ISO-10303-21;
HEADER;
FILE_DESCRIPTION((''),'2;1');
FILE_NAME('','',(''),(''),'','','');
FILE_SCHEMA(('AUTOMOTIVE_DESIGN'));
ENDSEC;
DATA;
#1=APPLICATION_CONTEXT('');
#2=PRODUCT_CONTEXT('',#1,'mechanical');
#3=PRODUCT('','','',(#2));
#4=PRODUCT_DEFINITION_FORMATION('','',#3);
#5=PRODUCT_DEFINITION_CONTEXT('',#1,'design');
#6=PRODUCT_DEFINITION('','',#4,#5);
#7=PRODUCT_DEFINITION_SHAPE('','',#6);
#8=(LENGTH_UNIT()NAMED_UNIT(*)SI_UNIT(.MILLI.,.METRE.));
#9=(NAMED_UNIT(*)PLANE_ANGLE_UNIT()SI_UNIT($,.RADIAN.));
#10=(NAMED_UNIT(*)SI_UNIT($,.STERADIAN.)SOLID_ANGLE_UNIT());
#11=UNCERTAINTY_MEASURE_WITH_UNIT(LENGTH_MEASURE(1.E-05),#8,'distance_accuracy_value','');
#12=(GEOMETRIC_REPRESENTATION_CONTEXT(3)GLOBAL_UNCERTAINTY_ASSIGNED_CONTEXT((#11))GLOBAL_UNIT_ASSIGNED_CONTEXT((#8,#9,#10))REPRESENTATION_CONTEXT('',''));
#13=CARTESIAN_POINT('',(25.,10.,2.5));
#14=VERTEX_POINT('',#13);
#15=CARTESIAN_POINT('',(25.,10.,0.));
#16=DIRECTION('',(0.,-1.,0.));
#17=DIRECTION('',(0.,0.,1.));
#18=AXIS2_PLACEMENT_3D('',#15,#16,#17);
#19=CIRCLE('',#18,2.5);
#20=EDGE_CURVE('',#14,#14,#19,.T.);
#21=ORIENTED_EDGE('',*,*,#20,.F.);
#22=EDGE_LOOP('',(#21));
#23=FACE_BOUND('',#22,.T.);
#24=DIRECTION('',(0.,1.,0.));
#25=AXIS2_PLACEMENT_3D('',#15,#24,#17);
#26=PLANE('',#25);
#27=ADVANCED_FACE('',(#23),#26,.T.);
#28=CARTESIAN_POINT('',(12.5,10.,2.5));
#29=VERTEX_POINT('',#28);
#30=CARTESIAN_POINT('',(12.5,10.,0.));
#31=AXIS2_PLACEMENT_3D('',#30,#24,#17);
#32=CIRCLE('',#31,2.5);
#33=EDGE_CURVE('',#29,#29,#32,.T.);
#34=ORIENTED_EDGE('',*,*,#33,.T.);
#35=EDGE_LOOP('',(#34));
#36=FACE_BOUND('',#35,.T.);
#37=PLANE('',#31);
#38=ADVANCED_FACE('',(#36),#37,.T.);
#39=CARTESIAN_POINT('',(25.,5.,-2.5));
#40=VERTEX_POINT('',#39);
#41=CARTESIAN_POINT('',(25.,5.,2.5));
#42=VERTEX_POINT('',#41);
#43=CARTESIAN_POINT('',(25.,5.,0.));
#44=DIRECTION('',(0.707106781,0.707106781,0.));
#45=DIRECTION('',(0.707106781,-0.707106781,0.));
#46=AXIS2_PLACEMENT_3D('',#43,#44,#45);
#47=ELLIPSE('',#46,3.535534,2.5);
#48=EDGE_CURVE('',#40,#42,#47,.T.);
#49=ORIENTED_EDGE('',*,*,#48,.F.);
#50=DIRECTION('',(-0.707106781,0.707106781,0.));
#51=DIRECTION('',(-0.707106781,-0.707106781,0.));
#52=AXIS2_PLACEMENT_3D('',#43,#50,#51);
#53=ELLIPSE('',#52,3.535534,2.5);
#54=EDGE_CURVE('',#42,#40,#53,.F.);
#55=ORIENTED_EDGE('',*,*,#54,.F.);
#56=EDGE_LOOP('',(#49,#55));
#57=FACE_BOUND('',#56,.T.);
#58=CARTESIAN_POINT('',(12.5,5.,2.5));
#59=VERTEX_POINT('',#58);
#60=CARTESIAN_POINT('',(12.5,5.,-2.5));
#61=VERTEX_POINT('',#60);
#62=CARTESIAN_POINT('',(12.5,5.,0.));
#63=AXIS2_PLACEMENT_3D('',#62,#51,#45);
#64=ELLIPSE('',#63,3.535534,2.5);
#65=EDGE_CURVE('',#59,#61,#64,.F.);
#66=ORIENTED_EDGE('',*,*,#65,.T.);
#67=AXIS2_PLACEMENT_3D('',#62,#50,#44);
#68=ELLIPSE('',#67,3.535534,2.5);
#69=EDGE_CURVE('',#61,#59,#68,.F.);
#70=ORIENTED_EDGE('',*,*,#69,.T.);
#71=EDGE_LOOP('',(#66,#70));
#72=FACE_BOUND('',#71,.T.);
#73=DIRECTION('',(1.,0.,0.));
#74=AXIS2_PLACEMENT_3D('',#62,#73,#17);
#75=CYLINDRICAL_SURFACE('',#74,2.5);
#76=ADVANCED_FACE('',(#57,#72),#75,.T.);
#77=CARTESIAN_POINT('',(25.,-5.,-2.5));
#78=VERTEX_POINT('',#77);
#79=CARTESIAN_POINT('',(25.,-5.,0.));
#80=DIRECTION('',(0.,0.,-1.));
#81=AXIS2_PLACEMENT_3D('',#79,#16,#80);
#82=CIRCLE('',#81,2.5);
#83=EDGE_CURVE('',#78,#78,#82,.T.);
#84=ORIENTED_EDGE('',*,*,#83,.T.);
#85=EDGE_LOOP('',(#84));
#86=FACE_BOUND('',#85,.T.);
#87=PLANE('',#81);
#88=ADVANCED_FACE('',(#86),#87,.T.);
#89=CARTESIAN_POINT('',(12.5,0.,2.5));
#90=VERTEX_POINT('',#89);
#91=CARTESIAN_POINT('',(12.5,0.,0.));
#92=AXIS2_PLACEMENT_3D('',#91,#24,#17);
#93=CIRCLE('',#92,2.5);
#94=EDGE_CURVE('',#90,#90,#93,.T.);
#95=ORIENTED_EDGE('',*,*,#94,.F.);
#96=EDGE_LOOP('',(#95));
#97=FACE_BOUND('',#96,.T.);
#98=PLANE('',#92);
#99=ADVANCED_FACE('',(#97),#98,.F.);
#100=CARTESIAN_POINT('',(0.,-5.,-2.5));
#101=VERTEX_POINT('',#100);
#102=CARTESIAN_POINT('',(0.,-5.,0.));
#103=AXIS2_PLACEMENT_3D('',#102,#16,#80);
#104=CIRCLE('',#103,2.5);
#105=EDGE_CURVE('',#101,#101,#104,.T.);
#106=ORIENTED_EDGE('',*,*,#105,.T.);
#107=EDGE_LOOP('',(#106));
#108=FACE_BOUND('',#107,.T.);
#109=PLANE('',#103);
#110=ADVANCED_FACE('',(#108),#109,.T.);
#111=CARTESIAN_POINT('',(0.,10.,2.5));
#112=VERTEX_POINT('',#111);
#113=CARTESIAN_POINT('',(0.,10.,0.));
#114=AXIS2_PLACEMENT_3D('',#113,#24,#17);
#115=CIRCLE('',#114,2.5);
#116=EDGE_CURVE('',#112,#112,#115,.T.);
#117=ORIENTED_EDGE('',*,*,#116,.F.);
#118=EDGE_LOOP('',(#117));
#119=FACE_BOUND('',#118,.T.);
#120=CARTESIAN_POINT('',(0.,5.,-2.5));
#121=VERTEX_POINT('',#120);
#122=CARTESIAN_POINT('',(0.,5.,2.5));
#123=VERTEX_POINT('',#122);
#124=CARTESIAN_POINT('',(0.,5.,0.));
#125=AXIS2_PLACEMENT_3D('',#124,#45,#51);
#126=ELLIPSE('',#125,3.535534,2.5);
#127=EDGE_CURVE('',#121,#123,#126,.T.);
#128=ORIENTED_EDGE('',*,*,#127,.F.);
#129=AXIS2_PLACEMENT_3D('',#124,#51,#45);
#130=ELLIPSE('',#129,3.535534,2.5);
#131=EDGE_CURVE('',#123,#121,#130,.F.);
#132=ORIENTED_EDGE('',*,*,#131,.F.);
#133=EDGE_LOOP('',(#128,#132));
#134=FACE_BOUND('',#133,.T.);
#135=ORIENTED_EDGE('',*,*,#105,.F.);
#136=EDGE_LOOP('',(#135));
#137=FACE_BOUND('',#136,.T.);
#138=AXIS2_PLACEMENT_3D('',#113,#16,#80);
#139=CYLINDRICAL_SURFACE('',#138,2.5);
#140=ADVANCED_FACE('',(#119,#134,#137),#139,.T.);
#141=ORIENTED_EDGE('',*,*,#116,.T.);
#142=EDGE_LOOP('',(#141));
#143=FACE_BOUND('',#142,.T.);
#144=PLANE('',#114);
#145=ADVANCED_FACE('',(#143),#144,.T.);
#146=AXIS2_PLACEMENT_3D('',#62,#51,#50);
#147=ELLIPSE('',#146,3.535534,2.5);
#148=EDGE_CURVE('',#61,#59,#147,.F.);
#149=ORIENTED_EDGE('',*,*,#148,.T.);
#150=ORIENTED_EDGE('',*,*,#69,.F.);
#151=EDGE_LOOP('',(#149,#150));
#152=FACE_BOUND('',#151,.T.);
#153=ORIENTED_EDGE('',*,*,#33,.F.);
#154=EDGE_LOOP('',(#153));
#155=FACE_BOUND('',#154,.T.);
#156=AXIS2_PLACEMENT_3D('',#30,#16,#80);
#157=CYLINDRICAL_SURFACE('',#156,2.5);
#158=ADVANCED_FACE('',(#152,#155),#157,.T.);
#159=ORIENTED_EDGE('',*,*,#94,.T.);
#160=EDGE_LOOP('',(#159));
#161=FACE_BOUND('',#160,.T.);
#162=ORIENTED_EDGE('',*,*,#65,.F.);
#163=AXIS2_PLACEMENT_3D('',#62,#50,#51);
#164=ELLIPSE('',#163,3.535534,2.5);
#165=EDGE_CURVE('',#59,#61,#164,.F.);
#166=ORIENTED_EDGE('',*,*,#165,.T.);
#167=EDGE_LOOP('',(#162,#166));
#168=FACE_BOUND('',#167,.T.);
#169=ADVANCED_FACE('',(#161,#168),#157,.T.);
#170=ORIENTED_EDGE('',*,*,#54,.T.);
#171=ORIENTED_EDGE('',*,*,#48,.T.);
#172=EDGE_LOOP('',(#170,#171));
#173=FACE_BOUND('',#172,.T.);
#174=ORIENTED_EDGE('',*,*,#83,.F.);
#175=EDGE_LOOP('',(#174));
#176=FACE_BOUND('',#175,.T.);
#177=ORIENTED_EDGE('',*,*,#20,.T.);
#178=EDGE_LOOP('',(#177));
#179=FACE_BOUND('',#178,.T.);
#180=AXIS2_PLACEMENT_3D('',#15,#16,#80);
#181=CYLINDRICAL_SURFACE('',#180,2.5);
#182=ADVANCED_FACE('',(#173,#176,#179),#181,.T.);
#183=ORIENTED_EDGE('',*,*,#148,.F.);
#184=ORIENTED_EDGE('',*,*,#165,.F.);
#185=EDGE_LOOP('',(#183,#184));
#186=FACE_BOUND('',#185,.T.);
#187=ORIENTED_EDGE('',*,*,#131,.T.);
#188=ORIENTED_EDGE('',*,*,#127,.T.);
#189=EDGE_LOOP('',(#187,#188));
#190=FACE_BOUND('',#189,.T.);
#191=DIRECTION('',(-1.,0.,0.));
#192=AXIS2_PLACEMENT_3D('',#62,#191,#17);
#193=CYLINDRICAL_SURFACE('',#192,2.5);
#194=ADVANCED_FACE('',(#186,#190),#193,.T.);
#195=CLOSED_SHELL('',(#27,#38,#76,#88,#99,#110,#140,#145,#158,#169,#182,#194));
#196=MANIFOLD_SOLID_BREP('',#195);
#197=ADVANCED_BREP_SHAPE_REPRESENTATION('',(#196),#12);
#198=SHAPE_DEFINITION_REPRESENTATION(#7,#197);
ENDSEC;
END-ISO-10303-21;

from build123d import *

# Parameters (mm, degrees)
SKETCH2_R           = 2.5
BOSS_EXTRUDE2_DEPTH = 10
SKETCH3_R           = 2.5
BOSS_EXTRUDE3_DEPTH = 12.5
BOSS_EXTRUDE4_DEPTH = 10
BOSS_EXTRUDE5_START = 5
SKETCH5_R           = 2.5
BOSS_EXTRUDE5_DEPTH = 5


with BuildPart() as part:
    # Sketch2 → Boss-Extrude2 (new body)
    with BuildSketch(Plane(origin=(0, 0, 0), x_dir=(1, 0, 0), z_dir=(0, 1, 0))):
        with Locations(Location((0, 0, 0), (0, 0, 270))):
            Circle(SKETCH2_R)
    boss_extrude2 = extrude(amount=BOSS_EXTRUDE2_DEPTH)

    # Sketch3 → Boss-Extrude3 (add)
    with BuildSketch(Plane(origin=(0, 0, 0), x_dir=(0, 0, -1), z_dir=(1, 0, 0))):
        with Locations((0, 5)):
            Circle(SKETCH3_R)
    boss_extrude3 = extrude(amount=BOSS_EXTRUDE3_DEPTH)

    # Sketch4 → Boss-Extrude4 (add)
    with BuildSketch(Plane(origin=(0, 0, 0), x_dir=(1, 0, 0), z_dir=(0, 1, 0))):
        with BuildLine():
            Line((12.5, 2.5), (12.5, -2.5))
            ThreePointArc((12.5, -2.5), (10, 0), (12.5, 2.5))
        make_face()
    boss_extrude4 = extrude(amount=BOSS_EXTRUDE4_DEPTH)

    # Mirror5: Boss-Extrude2, Boss-Extrude3, Boss-Extrude4 across plane
    add(boss_extrude2.mirror(Plane(origin=(12.5, 5, 0), x_dir=(0, 0, 1), z_dir=(1, 0, 0))))
    add(boss_extrude3.mirror(Plane(origin=(12.5, 5, 0), x_dir=(0, 0, 1), z_dir=(1, 0, 0))))
    add(boss_extrude4.mirror(Plane(origin=(12.5, 5, 0), x_dir=(0, 0, 1), z_dir=(1, 0, 0))))

    # Sketch5 → Boss-Extrude5 (add)
    with BuildSketch(Plane.XZ.offset(BOSS_EXTRUDE5_START)):
        with Locations(Location((0, 0, 0), (0, 0, 270))):
            Circle(SKETCH5_R)
        with Locations(Location((25, 0, 0), (0, 0, 270))):
            Circle(SKETCH5_R)
    extrude(amount=-BOSS_EXTRUDE5_DEPTH)


solid = part.part
